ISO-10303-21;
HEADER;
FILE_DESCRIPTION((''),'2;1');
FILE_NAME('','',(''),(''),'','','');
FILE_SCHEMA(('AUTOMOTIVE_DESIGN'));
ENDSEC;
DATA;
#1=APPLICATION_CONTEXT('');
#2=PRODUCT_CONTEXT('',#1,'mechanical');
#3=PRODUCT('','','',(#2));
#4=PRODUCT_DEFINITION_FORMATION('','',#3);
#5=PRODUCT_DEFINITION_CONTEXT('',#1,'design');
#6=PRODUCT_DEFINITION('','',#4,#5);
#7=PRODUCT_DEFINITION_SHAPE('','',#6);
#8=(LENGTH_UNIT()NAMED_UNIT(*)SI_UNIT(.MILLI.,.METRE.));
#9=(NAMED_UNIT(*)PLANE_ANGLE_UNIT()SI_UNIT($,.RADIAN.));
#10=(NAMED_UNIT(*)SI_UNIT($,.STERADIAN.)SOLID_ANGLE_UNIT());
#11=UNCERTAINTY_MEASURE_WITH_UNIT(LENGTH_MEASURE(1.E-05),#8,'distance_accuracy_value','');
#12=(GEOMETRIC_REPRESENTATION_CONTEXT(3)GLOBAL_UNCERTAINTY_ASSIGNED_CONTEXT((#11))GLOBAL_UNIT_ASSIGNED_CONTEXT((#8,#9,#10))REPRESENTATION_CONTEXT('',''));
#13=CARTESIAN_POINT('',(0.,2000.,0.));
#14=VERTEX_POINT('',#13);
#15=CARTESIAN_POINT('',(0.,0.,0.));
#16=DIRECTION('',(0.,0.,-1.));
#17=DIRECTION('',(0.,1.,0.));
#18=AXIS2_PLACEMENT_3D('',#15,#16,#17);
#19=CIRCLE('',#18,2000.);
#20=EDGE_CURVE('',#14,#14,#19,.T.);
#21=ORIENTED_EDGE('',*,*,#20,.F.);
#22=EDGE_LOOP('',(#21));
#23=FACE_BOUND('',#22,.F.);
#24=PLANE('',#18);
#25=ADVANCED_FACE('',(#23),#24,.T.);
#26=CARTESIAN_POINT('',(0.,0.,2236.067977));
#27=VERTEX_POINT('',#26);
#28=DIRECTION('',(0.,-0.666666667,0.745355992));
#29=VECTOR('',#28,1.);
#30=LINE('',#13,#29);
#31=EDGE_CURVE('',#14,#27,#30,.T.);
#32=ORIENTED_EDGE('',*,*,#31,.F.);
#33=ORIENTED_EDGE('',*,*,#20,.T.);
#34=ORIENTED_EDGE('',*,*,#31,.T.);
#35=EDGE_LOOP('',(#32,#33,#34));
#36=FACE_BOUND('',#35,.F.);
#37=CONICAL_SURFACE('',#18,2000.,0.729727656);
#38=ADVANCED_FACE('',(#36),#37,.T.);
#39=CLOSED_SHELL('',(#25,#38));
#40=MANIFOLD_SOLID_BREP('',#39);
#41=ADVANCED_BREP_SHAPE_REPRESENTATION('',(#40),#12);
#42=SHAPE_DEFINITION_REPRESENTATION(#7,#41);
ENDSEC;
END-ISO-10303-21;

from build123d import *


with BuildPart() as f1:
    # F0 (on Right) → F1 (revolve)
    with BuildSketch(Plane.YZ):
        Polygon((0, 2236.067977), (0, 0), (2000, 0), align=None)
    revolve(axis=Axis((0, 0, 1118.033989), (0, 0, -1)))


solid = f1.part
